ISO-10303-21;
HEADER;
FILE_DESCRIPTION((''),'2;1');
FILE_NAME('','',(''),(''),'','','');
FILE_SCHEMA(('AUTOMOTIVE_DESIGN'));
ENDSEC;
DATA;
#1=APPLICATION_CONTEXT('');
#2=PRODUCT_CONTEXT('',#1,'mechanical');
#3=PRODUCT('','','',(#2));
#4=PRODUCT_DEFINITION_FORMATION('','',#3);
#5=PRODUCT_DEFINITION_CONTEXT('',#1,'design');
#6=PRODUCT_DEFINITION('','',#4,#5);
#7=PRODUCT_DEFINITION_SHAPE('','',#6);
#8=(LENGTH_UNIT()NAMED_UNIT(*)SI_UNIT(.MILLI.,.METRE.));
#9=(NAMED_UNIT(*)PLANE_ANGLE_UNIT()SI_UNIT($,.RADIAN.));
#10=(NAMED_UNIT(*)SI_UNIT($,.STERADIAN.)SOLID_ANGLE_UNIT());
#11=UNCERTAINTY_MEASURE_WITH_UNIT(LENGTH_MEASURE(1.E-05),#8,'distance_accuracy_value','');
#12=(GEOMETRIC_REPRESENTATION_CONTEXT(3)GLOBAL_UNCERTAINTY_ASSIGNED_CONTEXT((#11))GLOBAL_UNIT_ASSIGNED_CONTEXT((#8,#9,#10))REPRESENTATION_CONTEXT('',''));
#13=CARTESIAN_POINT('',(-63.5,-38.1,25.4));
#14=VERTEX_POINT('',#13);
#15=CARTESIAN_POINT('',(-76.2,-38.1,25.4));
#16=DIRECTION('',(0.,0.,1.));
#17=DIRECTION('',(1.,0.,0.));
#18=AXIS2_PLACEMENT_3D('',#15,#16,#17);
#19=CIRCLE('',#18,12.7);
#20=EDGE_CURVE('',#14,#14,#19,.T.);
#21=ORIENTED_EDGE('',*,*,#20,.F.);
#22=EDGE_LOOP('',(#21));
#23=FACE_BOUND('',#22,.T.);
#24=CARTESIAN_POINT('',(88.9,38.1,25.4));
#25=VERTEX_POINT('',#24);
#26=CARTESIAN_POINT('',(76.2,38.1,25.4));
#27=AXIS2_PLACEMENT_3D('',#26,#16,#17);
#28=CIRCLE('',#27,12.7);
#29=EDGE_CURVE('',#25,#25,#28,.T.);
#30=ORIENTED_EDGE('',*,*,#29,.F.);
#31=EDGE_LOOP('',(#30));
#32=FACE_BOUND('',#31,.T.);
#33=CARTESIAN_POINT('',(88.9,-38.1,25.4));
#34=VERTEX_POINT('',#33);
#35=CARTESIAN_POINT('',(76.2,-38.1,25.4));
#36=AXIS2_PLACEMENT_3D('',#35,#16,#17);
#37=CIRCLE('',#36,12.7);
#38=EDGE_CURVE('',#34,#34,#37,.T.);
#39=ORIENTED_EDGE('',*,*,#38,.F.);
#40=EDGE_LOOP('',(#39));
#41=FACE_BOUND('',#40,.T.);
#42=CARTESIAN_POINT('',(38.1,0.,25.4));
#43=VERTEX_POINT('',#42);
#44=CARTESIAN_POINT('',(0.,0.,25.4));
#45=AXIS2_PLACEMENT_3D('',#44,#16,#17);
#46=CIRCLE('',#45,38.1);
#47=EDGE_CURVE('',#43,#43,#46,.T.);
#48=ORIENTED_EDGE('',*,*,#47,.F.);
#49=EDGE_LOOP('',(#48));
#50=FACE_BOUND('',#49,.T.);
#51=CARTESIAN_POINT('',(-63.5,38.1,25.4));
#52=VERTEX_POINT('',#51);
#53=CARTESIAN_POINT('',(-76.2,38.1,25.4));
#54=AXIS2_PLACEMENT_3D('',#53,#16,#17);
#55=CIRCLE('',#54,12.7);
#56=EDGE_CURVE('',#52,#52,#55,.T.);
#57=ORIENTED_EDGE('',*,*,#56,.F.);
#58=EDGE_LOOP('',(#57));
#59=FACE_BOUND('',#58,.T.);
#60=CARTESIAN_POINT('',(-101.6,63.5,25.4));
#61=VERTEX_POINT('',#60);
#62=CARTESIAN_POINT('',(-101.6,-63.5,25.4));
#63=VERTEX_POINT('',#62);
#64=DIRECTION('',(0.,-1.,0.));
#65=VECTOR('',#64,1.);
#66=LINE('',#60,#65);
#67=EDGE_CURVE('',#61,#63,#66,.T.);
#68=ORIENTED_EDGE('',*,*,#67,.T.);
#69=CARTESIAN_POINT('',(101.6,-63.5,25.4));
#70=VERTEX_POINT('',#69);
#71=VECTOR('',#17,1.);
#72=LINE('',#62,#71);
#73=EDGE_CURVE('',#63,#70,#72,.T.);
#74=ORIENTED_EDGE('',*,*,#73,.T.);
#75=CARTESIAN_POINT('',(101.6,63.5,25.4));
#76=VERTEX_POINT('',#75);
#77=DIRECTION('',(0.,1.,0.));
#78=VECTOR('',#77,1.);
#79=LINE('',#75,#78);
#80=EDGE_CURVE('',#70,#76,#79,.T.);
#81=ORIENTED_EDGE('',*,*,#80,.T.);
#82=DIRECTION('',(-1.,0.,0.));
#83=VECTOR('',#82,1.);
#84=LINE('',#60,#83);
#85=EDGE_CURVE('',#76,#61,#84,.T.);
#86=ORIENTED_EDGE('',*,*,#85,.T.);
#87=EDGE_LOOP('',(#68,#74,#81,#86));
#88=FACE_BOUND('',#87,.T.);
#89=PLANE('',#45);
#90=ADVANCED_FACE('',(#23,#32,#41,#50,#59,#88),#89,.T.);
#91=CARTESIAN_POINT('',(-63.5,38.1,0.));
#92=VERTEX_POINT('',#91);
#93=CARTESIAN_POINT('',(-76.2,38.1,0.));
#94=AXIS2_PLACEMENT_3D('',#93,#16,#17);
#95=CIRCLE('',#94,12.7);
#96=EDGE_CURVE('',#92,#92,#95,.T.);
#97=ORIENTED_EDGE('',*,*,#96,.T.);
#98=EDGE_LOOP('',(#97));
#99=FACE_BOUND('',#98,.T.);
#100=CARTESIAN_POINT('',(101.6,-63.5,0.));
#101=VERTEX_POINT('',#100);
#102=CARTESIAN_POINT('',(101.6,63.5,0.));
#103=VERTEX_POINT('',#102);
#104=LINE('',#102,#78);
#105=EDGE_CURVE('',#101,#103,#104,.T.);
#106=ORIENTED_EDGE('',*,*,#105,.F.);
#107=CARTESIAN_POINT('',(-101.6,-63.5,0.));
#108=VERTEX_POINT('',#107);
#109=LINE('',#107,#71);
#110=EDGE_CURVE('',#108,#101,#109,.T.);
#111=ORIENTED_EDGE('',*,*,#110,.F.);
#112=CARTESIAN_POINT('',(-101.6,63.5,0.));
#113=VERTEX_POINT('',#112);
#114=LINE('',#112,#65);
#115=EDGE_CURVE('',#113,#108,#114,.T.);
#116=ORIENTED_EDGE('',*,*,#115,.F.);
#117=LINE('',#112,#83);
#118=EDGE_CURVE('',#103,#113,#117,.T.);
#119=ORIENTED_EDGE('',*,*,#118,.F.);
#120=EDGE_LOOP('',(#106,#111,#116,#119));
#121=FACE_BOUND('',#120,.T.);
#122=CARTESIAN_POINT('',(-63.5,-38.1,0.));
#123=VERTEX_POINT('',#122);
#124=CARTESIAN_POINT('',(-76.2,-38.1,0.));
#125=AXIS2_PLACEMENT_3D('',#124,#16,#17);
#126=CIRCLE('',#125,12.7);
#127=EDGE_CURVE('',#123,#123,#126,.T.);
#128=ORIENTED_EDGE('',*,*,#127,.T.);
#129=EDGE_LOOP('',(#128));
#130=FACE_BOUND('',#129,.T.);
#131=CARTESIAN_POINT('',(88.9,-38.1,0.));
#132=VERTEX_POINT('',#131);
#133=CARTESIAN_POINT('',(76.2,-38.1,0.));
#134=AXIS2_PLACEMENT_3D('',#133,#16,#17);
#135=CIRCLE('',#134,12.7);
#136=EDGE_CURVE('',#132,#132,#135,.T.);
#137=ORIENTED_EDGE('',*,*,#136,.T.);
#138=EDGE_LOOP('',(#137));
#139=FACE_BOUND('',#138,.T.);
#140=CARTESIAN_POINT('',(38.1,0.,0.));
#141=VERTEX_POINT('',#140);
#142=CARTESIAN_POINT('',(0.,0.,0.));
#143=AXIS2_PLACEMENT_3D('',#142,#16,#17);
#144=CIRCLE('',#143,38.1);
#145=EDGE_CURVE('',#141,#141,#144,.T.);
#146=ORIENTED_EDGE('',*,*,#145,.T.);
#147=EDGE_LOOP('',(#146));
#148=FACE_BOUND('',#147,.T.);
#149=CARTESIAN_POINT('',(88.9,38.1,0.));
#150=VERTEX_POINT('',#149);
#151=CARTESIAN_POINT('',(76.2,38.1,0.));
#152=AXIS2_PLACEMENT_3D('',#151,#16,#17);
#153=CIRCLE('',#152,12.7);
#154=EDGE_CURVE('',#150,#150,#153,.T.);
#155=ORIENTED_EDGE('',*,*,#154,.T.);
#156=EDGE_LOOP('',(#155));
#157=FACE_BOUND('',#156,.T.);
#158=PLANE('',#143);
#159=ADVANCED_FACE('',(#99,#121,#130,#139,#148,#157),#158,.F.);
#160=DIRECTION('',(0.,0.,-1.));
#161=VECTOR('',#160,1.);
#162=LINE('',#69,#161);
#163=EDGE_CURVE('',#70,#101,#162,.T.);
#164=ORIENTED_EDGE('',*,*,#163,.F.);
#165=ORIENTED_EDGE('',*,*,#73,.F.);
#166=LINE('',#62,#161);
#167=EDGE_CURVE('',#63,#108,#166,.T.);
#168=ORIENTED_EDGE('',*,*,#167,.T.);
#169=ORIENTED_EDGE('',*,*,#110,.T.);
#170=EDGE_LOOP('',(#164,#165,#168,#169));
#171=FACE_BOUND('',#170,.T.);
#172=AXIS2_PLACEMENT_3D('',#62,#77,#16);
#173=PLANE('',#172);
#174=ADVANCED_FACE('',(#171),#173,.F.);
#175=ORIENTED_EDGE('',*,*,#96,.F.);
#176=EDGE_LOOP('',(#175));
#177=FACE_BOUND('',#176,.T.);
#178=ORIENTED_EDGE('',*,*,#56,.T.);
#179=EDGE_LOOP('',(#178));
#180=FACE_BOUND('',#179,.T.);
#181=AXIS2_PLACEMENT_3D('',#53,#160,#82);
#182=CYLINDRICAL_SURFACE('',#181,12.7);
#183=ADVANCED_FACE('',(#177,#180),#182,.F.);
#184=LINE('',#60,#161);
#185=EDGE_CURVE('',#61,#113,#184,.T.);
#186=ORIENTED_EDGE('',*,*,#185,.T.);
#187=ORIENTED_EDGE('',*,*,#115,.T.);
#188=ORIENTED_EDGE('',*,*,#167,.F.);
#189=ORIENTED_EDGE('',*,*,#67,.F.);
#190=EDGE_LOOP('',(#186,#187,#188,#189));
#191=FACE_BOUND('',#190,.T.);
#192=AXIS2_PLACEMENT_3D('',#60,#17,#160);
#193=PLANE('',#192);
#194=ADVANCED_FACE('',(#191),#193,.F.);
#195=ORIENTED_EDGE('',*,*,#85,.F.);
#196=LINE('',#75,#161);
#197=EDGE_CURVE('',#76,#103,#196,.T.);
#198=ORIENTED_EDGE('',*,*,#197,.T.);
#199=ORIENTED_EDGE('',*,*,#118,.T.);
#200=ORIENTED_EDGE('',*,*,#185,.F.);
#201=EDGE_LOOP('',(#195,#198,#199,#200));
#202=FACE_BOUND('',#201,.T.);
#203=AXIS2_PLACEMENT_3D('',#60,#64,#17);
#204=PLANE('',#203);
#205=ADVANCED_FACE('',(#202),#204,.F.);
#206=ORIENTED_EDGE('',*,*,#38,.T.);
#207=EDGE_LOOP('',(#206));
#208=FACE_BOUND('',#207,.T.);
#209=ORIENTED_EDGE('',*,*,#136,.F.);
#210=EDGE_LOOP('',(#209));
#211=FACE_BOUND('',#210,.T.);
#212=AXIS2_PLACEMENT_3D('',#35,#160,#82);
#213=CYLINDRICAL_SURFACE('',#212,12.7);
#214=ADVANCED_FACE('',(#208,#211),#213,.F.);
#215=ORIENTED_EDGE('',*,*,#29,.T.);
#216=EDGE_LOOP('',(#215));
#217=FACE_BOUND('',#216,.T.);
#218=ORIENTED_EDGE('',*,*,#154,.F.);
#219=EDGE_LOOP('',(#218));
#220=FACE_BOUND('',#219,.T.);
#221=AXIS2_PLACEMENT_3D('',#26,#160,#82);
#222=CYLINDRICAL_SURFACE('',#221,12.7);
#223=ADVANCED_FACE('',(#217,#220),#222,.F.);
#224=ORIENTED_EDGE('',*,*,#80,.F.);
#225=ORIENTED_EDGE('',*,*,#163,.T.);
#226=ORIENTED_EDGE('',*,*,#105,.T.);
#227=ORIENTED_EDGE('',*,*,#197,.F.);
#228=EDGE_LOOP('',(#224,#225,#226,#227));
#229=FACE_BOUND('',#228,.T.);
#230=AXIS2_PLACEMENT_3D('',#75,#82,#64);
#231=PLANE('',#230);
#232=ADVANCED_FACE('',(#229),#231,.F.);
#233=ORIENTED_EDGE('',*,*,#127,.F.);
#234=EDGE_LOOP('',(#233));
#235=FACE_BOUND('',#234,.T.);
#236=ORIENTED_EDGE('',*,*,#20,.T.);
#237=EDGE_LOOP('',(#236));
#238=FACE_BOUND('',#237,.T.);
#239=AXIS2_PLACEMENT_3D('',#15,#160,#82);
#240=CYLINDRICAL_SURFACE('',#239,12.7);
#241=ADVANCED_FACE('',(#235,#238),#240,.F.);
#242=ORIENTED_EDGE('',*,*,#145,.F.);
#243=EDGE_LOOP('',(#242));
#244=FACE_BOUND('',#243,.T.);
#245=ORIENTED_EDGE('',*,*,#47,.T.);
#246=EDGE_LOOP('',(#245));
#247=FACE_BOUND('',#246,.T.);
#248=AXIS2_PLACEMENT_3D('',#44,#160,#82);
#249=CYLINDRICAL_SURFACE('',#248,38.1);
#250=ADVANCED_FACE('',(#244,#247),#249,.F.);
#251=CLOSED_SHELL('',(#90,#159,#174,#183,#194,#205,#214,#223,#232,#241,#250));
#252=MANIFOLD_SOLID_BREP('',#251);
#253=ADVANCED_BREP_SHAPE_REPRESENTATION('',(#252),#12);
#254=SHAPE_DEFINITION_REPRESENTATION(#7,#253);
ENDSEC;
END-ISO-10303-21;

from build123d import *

# Parameters (mm, degrees)
SKETCH2_W           = 203.2
SKETCH2_H           = 127
SKETCH2_R           = 12.7
SKETCH2_R_2         = 38.1
BOSS_EXTRUDE1_DEPTH = 25.4


with BuildPart() as part:
    # Sketch2 → Boss-Extrude1 (new body)
    with BuildSketch(Plane.XY):
        Rectangle(SKETCH2_W, SKETCH2_H)
        with Locations((-76.2, 38.1)):
            Circle(SKETCH2_R, mode=Mode.SUBTRACT)
        with Locations((76.2, -38.1)):
            Circle(SKETCH2_R, mode=Mode.SUBTRACT)
        with Locations((-76.2, -38.1)):
            Circle(SKETCH2_R, mode=Mode.SUBTRACT)
        with Locations((76.2, 38.1)):
            Circle(SKETCH2_R, mode=Mode.SUBTRACT)
        Circle(SKETCH2_R_2, mode=Mode.SUBTRACT)
    extrude(amount=BOSS_EXTRUDE1_DEPTH)


solid = part.part
